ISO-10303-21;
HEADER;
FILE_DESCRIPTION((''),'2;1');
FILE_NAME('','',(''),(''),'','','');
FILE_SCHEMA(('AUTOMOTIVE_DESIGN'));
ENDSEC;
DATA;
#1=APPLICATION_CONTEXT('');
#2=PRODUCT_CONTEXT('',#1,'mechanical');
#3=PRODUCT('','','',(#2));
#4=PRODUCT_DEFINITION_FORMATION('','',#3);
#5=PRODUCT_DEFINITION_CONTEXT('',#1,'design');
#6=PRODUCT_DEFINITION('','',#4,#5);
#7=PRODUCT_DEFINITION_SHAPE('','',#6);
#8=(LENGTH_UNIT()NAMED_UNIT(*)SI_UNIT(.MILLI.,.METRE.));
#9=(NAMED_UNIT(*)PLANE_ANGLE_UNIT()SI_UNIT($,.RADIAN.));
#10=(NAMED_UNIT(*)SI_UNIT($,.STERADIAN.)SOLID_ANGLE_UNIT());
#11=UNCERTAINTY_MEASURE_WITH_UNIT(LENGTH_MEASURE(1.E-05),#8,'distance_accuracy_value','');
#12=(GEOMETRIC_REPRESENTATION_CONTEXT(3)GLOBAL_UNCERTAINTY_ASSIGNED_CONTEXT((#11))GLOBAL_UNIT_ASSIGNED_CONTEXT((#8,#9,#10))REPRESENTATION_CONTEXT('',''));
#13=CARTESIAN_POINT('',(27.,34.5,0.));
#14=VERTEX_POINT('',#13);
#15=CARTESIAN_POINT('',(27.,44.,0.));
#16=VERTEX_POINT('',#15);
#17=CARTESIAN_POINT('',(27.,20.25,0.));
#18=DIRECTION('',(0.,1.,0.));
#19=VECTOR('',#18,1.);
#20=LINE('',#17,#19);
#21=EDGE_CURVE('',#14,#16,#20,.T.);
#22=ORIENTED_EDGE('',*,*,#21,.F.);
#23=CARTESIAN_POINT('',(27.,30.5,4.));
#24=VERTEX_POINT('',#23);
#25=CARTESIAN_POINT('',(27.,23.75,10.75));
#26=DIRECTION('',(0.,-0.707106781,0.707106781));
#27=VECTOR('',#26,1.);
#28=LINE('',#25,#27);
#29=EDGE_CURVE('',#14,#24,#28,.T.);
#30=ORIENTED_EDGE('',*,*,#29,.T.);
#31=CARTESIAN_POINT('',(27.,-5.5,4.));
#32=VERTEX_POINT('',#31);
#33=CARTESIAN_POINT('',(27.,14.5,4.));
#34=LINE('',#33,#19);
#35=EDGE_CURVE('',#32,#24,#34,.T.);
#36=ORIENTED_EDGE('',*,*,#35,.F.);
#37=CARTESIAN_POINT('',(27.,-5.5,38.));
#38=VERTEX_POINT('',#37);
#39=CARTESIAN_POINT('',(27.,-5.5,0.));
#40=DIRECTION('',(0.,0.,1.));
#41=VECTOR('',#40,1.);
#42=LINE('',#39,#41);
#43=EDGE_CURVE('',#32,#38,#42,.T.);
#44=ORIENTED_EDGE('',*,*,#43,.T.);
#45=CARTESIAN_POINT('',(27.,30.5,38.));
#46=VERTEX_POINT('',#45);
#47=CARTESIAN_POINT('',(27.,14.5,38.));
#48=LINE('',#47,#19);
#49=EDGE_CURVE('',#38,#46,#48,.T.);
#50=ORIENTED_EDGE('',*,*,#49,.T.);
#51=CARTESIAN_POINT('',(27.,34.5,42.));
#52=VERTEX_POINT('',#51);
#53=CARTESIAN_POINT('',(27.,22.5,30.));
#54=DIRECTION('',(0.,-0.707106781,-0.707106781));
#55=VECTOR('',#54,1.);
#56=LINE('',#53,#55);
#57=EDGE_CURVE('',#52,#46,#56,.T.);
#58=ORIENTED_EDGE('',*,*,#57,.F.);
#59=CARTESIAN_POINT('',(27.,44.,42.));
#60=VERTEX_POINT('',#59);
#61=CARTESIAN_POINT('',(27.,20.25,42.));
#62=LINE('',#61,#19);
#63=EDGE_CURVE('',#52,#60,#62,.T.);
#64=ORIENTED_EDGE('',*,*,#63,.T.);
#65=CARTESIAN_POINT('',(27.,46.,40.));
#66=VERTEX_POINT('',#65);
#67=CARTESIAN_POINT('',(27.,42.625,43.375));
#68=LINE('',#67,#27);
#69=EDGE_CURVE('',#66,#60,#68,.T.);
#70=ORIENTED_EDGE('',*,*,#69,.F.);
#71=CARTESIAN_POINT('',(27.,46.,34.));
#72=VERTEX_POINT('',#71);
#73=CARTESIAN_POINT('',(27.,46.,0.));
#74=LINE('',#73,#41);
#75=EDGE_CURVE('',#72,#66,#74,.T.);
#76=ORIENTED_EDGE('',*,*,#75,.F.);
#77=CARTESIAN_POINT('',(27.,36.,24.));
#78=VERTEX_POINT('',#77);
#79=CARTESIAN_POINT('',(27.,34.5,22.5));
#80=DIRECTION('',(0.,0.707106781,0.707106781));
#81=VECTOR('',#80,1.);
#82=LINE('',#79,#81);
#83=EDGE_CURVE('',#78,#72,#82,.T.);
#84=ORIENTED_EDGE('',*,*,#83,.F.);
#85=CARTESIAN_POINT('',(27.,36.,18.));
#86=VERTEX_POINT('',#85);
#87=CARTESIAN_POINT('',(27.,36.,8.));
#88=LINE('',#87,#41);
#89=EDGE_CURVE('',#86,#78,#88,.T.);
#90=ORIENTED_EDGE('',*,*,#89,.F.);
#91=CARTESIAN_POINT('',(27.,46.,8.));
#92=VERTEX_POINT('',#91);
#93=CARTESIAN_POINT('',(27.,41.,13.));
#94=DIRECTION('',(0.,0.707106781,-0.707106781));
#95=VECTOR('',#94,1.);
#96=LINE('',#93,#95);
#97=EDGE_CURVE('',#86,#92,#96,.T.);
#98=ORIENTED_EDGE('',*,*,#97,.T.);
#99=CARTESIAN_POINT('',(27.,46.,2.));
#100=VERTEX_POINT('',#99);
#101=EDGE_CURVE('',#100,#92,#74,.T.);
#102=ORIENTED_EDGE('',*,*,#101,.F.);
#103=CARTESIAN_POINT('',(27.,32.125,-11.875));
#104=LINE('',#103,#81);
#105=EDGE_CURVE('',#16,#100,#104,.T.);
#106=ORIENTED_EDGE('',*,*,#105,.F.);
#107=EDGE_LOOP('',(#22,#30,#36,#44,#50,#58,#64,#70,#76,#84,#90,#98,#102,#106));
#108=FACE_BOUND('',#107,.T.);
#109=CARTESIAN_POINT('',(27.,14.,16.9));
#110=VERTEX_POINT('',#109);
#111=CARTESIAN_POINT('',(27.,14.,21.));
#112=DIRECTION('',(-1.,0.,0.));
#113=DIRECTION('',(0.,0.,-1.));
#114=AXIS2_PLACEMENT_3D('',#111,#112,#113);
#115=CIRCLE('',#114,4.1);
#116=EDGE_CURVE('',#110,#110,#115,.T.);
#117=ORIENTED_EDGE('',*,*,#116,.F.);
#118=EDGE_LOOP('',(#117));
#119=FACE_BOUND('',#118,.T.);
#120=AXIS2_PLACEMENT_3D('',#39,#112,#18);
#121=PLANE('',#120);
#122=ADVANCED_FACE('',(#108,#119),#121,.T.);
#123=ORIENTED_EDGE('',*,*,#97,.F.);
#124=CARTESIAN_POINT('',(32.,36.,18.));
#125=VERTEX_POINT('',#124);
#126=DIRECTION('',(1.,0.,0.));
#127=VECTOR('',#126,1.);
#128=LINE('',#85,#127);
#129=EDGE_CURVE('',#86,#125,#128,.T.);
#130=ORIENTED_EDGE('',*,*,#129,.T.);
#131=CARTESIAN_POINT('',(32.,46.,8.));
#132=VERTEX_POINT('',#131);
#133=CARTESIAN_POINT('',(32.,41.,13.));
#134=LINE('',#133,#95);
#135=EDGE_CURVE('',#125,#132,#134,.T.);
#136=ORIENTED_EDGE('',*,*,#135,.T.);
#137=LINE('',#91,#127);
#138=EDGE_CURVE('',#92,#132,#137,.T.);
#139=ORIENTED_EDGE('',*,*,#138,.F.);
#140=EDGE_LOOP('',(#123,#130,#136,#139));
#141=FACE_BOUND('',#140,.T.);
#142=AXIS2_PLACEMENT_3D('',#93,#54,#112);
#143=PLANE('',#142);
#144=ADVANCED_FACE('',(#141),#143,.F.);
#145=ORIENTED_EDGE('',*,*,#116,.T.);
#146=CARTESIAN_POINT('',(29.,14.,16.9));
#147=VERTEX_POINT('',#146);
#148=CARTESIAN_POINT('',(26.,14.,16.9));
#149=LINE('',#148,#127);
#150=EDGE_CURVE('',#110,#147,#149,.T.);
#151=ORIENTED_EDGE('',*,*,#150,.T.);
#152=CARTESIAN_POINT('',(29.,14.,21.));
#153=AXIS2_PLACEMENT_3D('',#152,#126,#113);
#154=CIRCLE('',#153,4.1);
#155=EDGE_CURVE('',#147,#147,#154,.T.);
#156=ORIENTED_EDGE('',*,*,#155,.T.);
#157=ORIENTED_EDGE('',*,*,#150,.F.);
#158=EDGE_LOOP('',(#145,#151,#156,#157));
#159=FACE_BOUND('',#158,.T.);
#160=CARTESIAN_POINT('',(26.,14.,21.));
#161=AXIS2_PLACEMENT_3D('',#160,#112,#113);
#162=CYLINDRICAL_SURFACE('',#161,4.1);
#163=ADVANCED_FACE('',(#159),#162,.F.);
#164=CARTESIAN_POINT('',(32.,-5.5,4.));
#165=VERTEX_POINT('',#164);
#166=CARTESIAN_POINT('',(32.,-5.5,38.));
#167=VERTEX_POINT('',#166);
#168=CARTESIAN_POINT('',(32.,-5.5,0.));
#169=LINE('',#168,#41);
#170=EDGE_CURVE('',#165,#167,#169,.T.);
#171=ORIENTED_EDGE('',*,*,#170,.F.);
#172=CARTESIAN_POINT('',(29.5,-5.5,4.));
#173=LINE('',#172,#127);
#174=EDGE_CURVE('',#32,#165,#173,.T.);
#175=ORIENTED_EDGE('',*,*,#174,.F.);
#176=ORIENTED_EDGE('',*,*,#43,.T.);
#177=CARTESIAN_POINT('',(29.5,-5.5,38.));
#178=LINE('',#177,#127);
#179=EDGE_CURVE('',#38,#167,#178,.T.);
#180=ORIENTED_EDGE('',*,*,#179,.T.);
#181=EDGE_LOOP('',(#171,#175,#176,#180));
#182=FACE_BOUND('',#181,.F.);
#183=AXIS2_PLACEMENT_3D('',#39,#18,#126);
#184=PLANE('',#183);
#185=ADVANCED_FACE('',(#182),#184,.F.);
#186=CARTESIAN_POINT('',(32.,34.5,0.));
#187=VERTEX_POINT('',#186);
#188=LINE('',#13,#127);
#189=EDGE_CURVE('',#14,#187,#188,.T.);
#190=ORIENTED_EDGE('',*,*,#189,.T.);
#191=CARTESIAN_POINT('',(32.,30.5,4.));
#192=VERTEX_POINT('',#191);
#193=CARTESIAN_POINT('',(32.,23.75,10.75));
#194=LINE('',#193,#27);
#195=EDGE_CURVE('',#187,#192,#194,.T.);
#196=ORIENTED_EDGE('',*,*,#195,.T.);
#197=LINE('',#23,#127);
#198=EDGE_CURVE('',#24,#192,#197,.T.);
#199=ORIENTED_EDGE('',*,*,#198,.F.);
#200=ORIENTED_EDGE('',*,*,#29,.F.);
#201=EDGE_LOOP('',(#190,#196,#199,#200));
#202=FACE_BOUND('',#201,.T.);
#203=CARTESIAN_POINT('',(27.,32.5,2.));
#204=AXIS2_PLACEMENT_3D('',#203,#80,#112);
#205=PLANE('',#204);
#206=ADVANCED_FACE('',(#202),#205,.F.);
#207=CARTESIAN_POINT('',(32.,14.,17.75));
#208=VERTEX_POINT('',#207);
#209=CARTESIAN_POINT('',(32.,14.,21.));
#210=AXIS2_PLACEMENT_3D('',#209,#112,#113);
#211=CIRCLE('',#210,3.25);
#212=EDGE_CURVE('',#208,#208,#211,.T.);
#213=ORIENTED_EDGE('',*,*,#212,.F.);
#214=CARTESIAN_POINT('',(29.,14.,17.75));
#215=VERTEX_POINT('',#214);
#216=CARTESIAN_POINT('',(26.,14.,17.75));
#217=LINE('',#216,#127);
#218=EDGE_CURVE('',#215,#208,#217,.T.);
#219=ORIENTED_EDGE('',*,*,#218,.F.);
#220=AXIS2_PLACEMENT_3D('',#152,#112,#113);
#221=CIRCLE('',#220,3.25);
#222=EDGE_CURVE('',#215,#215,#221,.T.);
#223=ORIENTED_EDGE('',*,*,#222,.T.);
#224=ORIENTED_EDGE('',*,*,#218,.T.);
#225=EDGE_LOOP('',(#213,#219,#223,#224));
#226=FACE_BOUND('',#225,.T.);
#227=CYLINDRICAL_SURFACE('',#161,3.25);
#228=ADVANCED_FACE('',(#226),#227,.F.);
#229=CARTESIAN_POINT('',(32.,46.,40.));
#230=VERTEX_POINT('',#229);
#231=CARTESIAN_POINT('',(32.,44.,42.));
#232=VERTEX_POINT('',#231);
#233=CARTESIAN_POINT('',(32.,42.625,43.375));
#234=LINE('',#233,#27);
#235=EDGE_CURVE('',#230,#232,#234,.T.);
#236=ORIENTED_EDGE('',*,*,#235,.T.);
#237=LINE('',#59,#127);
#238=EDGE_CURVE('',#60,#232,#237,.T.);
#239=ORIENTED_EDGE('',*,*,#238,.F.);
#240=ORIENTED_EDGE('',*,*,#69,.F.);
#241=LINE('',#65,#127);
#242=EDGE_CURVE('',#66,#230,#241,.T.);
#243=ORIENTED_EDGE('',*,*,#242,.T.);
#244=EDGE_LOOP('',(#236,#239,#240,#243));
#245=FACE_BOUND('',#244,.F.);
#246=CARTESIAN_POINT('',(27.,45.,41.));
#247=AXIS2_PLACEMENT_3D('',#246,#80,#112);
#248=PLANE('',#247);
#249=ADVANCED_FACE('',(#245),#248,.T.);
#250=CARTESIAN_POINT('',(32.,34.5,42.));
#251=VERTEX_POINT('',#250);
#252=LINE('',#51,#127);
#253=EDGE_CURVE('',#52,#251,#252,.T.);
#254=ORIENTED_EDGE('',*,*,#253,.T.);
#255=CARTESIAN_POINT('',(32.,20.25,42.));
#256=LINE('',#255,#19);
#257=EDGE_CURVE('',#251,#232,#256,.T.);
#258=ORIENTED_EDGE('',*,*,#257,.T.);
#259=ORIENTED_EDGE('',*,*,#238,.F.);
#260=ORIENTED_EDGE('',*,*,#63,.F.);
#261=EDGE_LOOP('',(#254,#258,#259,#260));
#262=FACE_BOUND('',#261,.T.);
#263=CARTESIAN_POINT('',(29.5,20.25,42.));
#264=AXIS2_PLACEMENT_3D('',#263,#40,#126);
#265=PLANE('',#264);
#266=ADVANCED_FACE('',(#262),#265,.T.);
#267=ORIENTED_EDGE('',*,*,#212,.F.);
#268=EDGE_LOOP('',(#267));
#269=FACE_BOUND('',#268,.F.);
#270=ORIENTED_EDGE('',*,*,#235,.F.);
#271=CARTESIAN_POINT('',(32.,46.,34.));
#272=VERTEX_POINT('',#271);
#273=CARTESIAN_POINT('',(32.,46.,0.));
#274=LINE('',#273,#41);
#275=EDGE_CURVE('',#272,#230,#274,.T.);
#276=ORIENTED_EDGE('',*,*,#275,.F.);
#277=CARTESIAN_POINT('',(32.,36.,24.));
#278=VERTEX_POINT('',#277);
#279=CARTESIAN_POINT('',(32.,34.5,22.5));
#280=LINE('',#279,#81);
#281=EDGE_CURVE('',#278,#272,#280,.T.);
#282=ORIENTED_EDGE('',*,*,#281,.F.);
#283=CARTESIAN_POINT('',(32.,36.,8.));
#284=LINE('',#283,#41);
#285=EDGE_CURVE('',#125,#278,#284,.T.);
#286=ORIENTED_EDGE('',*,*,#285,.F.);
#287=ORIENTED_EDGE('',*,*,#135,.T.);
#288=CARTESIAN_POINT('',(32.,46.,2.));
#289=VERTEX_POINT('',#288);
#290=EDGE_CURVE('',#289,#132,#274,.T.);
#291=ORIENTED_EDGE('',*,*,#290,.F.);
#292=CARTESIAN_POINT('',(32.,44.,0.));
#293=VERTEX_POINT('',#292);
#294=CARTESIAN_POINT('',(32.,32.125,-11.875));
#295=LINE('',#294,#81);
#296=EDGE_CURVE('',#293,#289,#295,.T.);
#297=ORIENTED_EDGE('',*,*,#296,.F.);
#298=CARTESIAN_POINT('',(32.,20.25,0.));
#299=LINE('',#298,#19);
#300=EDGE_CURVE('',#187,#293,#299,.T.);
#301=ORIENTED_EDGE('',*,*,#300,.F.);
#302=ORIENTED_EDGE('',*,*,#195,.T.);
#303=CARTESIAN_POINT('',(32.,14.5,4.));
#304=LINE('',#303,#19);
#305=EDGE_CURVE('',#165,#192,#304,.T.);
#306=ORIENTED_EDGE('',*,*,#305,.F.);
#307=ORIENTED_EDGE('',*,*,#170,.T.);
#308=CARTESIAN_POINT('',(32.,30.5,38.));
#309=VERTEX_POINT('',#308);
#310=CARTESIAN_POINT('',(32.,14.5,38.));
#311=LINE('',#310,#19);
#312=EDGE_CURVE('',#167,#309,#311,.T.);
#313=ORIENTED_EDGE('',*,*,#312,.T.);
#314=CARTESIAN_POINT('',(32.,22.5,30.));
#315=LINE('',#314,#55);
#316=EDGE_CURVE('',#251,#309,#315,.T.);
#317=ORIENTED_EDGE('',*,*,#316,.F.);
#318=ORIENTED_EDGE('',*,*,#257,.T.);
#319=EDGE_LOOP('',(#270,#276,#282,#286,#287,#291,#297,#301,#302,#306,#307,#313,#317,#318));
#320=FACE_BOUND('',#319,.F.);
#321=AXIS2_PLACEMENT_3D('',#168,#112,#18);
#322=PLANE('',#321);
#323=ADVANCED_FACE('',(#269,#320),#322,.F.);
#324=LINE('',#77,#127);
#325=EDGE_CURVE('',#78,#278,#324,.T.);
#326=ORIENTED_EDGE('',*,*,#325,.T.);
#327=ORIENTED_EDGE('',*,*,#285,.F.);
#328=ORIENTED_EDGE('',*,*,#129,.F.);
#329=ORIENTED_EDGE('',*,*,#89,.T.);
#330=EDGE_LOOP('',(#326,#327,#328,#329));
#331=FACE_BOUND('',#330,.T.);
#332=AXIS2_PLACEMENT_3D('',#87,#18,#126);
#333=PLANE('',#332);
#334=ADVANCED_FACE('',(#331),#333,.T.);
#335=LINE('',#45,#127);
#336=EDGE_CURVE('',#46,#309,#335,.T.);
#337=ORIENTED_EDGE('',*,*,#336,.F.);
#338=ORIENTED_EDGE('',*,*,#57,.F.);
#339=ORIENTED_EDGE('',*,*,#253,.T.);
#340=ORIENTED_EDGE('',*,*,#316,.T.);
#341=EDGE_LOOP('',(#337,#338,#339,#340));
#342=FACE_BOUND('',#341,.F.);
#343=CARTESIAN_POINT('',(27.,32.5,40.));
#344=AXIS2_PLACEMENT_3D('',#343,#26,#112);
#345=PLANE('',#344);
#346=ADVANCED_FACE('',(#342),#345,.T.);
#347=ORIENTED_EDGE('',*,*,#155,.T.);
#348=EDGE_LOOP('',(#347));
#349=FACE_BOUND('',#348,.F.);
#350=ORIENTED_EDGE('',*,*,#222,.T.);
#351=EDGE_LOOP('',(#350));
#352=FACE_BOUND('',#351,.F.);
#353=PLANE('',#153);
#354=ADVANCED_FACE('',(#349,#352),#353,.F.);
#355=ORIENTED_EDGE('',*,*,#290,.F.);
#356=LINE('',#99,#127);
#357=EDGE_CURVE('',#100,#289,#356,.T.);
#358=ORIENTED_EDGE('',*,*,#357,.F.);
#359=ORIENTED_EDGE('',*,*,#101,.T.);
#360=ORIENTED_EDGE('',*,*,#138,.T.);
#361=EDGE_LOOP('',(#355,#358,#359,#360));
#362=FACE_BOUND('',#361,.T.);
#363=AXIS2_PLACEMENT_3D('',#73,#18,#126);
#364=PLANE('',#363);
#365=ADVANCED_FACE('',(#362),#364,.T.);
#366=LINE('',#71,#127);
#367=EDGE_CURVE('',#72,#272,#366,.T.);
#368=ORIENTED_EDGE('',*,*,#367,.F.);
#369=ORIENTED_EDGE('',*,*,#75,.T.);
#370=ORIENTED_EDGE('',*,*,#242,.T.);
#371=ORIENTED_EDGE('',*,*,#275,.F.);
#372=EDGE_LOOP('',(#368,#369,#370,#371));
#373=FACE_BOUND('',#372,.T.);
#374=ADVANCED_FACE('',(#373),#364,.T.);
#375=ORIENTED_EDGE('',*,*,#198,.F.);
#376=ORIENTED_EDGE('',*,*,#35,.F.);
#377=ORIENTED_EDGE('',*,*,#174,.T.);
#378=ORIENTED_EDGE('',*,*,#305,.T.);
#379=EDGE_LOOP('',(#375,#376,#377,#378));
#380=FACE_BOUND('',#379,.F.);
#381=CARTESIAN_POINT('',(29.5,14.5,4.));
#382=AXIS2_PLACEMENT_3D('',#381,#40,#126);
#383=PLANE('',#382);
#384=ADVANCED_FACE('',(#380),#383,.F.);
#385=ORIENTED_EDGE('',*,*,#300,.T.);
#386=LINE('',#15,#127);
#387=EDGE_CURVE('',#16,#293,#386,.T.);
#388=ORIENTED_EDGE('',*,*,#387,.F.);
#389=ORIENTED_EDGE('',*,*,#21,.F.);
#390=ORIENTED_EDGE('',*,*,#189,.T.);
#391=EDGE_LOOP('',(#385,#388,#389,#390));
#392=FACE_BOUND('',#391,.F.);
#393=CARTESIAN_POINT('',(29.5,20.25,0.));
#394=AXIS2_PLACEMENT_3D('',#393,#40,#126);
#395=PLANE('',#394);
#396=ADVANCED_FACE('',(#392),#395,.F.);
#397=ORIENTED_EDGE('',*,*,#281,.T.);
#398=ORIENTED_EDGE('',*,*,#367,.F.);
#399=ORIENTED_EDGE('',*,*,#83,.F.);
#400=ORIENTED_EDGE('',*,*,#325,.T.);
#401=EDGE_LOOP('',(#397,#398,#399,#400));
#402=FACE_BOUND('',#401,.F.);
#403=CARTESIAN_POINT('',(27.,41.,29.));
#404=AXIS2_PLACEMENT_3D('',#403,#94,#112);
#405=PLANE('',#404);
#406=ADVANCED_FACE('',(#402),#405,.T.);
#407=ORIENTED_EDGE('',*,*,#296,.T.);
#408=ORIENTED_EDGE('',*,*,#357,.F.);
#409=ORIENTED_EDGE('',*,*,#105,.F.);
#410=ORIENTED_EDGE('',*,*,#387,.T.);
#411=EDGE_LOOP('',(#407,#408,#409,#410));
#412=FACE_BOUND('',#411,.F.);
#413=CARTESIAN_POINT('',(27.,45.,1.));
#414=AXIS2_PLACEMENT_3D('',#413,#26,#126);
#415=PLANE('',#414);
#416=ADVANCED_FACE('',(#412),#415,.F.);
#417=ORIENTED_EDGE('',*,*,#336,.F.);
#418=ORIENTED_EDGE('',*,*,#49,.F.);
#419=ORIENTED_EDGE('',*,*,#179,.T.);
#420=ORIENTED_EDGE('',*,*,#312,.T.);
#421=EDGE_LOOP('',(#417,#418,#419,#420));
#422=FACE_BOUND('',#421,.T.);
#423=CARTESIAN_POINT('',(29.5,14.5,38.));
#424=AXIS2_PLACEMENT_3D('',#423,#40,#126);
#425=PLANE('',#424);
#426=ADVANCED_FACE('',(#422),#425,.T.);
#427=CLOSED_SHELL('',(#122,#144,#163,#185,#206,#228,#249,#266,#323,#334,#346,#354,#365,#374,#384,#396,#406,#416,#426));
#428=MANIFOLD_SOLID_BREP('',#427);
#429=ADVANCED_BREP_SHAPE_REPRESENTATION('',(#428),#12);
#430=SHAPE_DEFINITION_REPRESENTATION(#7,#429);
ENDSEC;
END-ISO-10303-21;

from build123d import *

# Parameters (mm, degrees)
CYLINDER042_R     = 4.1
CYLINDER042_DEPTH = 3
CYLINDER041_R     = 3.25
CYLINDER041_DEPTH = 8
BOX012_W          = 5
BOX012_H          = 40
BOX012_DEPTH      = 5
CHAMFER009_SIZE   = 4
BOX013_W          = 5
BOX013_H          = 40
BOX013_DEPTH      = 5
CHAMFER008_SIZE   = 4
BOX011_W          = 5
BOX011_H          = 51.5
BOX011_DEPTH      = 26
CHAMFER018_SIZE   = 10
BOX008_W          = 5
BOX008_H          = 51.5
BOX008_DEPTH      = 42
CHAMFER021_SIZE   = 2


with BuildPart() as cylinder042:
    # Cylinder042 → Cylinder042 (new body)
    with BuildSketch(Plane(origin=(26, 14, 21), x_dir=(0, 0, -1), z_dir=(1, 0, 0))):
        Circle(CYLINDER042_R)
    extrude(amount=CYLINDER042_DEPTH)


with BuildPart() as fusion041004010008017:
    # Cylinder041 → Cylinder041 (new body)
    with BuildSketch(Plane(origin=(26, 14, 21), x_dir=(0, 0, -1), z_dir=(1, 0, 0))):
        Circle(CYLINDER041_R)
    extrude(amount=CYLINDER041_DEPTH)

    # Fusion041004010008017: union Cylinder042
    add(cylinder042.part)


with BuildPart() as chamfer009:
    # Box012 → Box012 (new body)
    with BuildSketch(Plane(origin=(27, -5.5, -1), x_dir=(1, 0, 0), z_dir=(0, 0, 1))):
        with Locations((2.5, 20)):
            Rectangle(BOX012_W, BOX012_H)
    extrude(amount=BOX012_DEPTH)

    # Chamfer009
    chamfer009_edges = [chamfer009.edges().sort_by_distance(p)[0] for p in [
        (29.5, 34.5, 4),
    ]]
    chamfer(chamfer009_edges, length=CHAMFER009_SIZE)


with BuildPart() as chamfer008:
    # Box013 → Box013 (new body)
    with BuildSketch(Plane(origin=(27, -5.5, 38), x_dir=(1, 0, 0), z_dir=(0, 0, 1))):
        with Locations((2.5, 20)):
            Rectangle(BOX013_W, BOX013_H)
    extrude(amount=BOX013_DEPTH)

    # Chamfer008
    chamfer008_edges = [chamfer008.edges().sort_by_distance(p)[0] for p in [
        (29.5, 34.5, 38),
    ]]
    chamfer(chamfer008_edges, length=CHAMFER008_SIZE)


with BuildPart() as chamfer018:
    # Box011 → Box011 (new body)
    with BuildSketch(Plane(origin=(27, 51, 8), x_dir=(1, 0, 0), z_dir=(0, 0, 1))):
        with Locations((2.5, 25.75)):
            Rectangle(BOX011_W, BOX011_H)
    extrude(amount=BOX011_DEPTH)

    # Chamfer018
    chamfer018_edges = [chamfer018.edges().sort_by_distance(p)[0] for p in [
        (29.5, 51, 8),
        (29.5, 51, 34),
    ]]
    chamfer(chamfer018_edges, length=CHAMFER018_SIZE)


with BuildPart() as chamfer018_1:
    # Chamfer018 placement: moved
    add(chamfer018.part.moved(Location((0, -15, 0))))


with BuildPart() as cut001002003031:
    # Box008 → Box008 (new body)
    with BuildSketch(Plane(origin=(27, -5.5, 0), x_dir=(1, 0, 0), z_dir=(0, 0, 1))):
        with Locations((2.5, 25.75)):
            Rectangle(BOX008_W, BOX008_H)
    extrude(amount=BOX008_DEPTH)

    # Cut001002003026: cut Chamfer018
    add(chamfer018_1.part, mode=Mode.SUBTRACT)

    # Cut001002003027: cut Chamfer008
    add(chamfer008.part, mode=Mode.SUBTRACT)

    # Cut001002003028: cut Chamfer009
    add(chamfer009.part, mode=Mode.SUBTRACT)

    # Chamfer021
    chamfer021_edges = [cut001002003031.edges().sort_by_distance(p)[0] for p in [
        (29.5, 46, 42),
        (29.5, 46, 0),
    ]]
    chamfer(chamfer021_edges, length=CHAMFER021_SIZE)

    # Cut001002003031: cut Fusion041004010008017
    add(fusion041004010008017.part, mode=Mode.SUBTRACT)


solid = cut001002003031.part
